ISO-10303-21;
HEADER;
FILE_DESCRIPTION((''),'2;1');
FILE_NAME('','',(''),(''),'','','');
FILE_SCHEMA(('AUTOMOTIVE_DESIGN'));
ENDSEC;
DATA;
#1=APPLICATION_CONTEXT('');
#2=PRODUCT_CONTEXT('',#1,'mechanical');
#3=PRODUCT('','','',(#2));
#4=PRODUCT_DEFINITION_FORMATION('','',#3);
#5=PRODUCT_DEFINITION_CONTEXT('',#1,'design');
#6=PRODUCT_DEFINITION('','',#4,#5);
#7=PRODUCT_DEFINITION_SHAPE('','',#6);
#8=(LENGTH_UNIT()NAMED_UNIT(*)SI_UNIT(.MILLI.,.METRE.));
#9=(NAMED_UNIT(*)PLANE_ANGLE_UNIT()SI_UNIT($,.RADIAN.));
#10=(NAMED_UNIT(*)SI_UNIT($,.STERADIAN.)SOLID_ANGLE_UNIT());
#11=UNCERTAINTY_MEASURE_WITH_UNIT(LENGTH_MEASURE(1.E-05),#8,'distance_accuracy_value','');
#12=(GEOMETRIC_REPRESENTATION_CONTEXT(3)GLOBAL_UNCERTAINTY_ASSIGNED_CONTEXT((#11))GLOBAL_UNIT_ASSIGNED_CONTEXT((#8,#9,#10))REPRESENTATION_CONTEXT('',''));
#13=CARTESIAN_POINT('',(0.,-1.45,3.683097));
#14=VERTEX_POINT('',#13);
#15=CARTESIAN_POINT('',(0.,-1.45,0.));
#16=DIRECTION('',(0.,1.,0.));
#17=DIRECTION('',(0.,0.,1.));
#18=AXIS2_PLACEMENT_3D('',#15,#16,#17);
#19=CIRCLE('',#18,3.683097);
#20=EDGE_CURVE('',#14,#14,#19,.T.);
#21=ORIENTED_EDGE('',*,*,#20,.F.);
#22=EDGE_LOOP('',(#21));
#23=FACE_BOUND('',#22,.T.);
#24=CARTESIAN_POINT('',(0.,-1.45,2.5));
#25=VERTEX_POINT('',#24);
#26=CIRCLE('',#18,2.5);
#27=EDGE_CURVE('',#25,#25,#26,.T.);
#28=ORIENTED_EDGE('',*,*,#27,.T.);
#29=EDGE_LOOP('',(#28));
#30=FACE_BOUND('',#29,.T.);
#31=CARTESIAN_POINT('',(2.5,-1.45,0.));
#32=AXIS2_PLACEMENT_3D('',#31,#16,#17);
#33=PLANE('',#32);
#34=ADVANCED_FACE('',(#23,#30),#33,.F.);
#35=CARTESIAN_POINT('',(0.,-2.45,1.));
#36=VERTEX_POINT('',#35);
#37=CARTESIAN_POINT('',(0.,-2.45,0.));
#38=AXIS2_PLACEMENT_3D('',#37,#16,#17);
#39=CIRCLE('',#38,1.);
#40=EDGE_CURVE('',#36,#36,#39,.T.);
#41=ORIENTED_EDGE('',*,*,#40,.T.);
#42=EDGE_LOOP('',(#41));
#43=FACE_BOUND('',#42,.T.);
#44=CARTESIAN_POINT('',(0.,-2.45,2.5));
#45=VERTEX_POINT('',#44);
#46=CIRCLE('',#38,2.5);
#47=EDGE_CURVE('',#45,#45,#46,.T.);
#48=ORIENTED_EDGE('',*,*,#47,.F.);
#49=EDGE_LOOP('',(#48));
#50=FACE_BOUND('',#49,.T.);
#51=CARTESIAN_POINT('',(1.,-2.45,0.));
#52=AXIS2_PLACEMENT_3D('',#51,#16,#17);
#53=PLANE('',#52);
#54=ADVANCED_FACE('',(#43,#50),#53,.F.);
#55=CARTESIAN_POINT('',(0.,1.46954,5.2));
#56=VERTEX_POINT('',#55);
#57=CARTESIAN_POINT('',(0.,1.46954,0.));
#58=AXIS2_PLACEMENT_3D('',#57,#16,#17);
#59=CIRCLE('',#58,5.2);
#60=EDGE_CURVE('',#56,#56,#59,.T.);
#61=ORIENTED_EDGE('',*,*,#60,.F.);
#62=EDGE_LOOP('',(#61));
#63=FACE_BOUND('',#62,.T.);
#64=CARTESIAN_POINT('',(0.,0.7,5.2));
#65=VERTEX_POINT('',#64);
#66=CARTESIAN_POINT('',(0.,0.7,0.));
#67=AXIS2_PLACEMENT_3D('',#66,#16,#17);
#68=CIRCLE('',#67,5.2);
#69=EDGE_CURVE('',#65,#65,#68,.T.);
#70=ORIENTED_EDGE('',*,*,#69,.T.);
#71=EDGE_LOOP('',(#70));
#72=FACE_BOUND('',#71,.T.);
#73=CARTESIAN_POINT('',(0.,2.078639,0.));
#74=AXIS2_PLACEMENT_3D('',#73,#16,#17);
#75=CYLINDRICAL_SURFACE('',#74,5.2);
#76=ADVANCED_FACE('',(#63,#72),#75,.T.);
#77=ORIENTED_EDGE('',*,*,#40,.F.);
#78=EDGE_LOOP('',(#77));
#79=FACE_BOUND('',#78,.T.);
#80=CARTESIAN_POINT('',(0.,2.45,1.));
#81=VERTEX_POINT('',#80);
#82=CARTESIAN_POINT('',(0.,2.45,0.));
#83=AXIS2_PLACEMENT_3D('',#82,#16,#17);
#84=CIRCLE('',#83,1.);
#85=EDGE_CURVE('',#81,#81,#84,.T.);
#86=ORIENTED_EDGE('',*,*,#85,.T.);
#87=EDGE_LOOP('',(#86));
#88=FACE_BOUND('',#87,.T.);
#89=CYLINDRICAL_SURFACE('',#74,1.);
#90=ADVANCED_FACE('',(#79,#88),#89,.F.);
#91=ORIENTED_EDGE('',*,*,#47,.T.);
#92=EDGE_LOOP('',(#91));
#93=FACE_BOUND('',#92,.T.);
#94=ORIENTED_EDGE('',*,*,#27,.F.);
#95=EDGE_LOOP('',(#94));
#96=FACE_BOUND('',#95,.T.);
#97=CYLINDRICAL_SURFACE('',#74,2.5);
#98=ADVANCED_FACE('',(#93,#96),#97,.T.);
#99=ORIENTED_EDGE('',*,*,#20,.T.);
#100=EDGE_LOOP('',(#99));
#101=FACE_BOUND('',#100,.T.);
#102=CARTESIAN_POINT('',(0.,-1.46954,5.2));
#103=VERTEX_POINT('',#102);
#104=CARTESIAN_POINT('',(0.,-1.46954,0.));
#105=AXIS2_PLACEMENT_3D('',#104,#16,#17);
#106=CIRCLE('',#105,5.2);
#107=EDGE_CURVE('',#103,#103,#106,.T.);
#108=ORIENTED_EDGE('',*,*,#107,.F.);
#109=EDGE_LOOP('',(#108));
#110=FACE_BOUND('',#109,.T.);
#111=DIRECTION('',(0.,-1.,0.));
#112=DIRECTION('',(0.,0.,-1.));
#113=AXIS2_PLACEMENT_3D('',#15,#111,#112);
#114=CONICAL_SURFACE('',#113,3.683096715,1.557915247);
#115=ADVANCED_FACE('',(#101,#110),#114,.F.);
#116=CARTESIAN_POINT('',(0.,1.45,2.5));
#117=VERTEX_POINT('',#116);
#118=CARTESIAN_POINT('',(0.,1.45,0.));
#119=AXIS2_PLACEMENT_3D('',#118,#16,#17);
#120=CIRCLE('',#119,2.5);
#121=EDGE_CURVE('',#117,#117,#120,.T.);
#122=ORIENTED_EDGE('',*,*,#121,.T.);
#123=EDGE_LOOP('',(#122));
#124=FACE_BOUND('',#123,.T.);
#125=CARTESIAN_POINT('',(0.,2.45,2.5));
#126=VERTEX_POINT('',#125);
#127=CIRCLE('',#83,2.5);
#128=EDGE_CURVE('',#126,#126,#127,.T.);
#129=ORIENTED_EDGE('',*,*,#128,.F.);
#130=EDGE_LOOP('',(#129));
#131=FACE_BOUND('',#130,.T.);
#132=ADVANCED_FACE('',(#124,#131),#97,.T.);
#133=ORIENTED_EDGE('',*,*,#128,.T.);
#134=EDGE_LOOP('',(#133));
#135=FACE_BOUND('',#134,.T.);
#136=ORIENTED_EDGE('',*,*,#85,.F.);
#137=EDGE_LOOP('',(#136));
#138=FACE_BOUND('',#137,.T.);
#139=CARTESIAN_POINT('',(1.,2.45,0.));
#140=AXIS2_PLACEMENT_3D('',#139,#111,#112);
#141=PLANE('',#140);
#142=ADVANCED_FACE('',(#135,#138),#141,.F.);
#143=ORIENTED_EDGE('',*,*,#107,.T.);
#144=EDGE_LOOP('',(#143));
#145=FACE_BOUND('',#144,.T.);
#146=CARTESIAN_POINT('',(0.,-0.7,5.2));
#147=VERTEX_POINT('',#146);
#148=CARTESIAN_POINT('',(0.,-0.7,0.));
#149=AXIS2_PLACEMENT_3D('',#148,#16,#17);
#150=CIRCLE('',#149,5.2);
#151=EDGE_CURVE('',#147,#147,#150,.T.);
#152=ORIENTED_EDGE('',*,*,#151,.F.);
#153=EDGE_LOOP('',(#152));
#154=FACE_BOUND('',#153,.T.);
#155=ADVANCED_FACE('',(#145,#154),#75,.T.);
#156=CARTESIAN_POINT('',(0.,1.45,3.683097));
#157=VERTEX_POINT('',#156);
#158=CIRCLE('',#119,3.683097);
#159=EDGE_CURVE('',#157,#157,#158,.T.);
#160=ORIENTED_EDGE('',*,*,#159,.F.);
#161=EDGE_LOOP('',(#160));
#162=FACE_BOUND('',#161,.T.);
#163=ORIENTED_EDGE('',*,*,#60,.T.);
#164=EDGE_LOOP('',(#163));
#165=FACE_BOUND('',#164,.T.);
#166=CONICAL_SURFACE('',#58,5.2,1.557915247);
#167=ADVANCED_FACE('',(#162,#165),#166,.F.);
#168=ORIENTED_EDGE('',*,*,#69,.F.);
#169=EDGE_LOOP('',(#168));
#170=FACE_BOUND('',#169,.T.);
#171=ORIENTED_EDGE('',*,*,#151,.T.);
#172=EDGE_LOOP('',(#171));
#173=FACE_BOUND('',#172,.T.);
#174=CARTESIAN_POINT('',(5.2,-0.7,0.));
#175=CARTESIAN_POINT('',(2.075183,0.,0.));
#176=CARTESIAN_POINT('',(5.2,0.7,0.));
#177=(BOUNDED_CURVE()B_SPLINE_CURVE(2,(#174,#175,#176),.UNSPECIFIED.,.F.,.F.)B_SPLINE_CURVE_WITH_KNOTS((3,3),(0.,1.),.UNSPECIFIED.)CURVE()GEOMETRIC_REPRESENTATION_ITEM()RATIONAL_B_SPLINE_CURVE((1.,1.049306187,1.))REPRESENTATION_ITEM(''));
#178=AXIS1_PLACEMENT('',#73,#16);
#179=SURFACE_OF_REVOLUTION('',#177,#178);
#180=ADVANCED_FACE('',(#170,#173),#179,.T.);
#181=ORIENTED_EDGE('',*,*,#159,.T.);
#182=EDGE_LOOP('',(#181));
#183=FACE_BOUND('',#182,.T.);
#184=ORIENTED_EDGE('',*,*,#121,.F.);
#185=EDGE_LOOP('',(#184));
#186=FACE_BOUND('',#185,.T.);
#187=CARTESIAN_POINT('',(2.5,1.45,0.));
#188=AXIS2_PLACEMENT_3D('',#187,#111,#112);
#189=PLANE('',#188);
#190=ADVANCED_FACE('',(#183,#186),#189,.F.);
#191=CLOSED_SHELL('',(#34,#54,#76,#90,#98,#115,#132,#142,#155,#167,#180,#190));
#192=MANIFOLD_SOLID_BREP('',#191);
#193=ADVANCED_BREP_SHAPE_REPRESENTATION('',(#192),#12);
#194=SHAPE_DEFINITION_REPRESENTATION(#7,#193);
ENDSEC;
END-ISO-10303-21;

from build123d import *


with BuildPart() as part:
    # 草图1 → 旋转9 (revolve)
    with BuildSketch(Plane.XY, mode=Mode.PRIVATE) as revolve_9_sk:
        with BuildLine():
            Line((2.5, -1.45), (3.683096715, -1.45))
            Line((3.683096715, -1.45), (5.2, -1.469540433))
            Line((5.2, -1.469540433), (5.2, -0.7))
            add(Edge.make_bspline(
                [(5.2, 0.7), (2.075182916, 0), (5.2, -0.7)],
                knots=[0, 0, 0, 1, 1, 1], degree=2, weights=[1, 1.049306187, 1]))
            Line((5.2, 0.7), (5.2, 1.469540433))
            Line((5.2, 1.469540433), (3.683096715, 1.45))
            Line((3.683096715, 1.45), (2.5, 1.45))
            Line((2.5, 1.45), (2.5, 2.45))
            Line((2.5, 2.45), (1, 2.45))
            Line((1, 2.45), (1, -2.45))
            Line((1, -2.45), (2.5, -2.45))
            Line((2.5, -2.45), (2.5, -1.45))
        make_face()
    revolve(revolve_9_sk.sketch.rotate(Axis((0, 2.07863921, 0), (0, -1, 0)), 90), axis=Axis((0, 2.07863921, 0), (0, -1, 0)))


solid = part.part
